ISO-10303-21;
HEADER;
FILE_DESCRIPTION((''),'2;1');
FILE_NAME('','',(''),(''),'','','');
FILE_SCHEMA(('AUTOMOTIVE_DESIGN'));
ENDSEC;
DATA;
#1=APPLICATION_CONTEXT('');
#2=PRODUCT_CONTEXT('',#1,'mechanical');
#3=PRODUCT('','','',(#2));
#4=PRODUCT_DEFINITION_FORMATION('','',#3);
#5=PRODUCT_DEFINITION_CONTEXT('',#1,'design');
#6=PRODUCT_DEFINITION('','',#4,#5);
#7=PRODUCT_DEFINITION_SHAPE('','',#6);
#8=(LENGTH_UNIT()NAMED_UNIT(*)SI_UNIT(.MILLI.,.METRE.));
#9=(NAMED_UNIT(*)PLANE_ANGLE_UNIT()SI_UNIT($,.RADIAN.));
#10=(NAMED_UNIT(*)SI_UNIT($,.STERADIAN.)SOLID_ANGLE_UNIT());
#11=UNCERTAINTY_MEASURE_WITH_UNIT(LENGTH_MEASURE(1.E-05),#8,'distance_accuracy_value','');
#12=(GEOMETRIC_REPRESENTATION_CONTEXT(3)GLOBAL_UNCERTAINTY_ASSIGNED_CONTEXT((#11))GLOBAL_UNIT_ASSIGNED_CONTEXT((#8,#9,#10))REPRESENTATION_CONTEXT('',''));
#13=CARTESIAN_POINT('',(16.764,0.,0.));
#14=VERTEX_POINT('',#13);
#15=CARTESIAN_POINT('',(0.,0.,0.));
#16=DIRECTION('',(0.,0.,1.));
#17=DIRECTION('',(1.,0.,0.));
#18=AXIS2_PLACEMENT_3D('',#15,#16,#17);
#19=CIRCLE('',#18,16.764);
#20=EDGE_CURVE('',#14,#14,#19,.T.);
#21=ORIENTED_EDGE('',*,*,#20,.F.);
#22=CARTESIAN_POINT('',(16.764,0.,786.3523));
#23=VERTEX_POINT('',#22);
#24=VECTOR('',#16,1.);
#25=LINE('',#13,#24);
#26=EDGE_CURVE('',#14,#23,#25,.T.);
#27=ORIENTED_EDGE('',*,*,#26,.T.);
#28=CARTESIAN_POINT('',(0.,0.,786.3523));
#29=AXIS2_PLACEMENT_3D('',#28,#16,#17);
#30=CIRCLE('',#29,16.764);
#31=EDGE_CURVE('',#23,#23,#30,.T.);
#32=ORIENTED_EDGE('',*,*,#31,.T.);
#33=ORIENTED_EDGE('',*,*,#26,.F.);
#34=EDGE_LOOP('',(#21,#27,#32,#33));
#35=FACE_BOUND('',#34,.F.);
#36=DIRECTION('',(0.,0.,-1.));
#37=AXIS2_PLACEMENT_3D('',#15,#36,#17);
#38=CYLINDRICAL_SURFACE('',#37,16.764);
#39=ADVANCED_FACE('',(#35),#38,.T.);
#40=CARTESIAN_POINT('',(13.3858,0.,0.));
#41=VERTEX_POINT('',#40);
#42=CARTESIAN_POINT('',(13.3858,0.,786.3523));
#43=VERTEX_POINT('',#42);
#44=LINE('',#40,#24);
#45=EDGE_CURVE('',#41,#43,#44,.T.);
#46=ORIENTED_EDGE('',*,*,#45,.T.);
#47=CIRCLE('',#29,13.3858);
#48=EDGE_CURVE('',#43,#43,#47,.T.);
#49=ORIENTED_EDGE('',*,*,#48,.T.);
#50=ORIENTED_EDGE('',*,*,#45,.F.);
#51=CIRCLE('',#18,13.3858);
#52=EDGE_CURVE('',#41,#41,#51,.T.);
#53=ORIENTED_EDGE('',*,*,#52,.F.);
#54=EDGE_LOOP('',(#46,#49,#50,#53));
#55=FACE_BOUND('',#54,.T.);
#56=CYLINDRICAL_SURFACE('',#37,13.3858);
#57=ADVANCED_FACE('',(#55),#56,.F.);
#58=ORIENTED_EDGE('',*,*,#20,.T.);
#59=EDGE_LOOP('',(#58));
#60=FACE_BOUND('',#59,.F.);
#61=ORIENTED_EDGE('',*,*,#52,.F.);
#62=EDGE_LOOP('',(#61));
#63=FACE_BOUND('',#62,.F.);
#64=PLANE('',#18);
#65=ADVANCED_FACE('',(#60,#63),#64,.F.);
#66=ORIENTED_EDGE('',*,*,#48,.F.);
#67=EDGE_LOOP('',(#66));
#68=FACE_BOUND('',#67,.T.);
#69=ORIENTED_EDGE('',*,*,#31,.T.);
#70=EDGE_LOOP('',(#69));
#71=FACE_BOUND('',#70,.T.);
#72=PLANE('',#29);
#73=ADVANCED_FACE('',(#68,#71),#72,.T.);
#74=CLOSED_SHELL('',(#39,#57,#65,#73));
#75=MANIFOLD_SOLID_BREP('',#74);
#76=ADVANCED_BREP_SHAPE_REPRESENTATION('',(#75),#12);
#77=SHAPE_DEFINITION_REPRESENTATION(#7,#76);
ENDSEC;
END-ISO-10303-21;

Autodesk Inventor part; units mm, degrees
ref_plane "YZ Plane" through (0, 0, 0) normal (1, 0, 0) x (0, 1, 0)
ref_plane "Start plane" through (0, 0, 0) normal (0, 0, 1) x (1, 0, 0)
ref_plane "End plane" through (0, 0, 786.3523) normal (0, 0, 1) x (1, 0, 0)
sketch "Sketch" plane through (0, 0, 0) normal (0, 0, 1) x (1, 0, 0)
  circle A0 centre (0, 0) radius 13.3858
  circle A1 centre (0, 0) radius 16.764
  dimension "d0" = 33.528
  dimension "d1" = 3.3782
extrude "Body" add sketch "Sketch" along normal up to surface (786.3523 mm away) from surface at 0
sketch "Sketch3" plane through (0, 0, 0) normal (0, 0, 1) x (1, 0, 0)
  line L0 (0, 0) -> (10, 0)
ref_plane "Work Plane3" through (0, 0, 0) normal (0, -1, 0) x (1, 0, 0)
sketch "Sketch4" plane through (0, 0, 0) normal (0, -1, 0) x (1, 0, 0)
  line L0 (-2, 0) -> (12, 0) projected
  line L1 (-2, 786.3523) -> (12, 786.3523) projected
  dimension "d7" = 786.3523
equation "\"d0\" = G_H"
equation "\"d1\" = G_T"
equation "\"d2\" = G_L"
equation "\"G_H\" = 33.528"
equation "\"G_T\" = 3.3782"
equation "\"G_L\" = d7"
equation "\"G_OFFSET_START\" = 0"
equation "\"G_OFFSET_END\" = 0"
equation "\"d5\" = G_OFFSET_END + B_L"
equation "\"B_L\" = 786.35234"
properties part number "ANSI - 1 x 0.133 - 30.959" material "Steel, Mild"
